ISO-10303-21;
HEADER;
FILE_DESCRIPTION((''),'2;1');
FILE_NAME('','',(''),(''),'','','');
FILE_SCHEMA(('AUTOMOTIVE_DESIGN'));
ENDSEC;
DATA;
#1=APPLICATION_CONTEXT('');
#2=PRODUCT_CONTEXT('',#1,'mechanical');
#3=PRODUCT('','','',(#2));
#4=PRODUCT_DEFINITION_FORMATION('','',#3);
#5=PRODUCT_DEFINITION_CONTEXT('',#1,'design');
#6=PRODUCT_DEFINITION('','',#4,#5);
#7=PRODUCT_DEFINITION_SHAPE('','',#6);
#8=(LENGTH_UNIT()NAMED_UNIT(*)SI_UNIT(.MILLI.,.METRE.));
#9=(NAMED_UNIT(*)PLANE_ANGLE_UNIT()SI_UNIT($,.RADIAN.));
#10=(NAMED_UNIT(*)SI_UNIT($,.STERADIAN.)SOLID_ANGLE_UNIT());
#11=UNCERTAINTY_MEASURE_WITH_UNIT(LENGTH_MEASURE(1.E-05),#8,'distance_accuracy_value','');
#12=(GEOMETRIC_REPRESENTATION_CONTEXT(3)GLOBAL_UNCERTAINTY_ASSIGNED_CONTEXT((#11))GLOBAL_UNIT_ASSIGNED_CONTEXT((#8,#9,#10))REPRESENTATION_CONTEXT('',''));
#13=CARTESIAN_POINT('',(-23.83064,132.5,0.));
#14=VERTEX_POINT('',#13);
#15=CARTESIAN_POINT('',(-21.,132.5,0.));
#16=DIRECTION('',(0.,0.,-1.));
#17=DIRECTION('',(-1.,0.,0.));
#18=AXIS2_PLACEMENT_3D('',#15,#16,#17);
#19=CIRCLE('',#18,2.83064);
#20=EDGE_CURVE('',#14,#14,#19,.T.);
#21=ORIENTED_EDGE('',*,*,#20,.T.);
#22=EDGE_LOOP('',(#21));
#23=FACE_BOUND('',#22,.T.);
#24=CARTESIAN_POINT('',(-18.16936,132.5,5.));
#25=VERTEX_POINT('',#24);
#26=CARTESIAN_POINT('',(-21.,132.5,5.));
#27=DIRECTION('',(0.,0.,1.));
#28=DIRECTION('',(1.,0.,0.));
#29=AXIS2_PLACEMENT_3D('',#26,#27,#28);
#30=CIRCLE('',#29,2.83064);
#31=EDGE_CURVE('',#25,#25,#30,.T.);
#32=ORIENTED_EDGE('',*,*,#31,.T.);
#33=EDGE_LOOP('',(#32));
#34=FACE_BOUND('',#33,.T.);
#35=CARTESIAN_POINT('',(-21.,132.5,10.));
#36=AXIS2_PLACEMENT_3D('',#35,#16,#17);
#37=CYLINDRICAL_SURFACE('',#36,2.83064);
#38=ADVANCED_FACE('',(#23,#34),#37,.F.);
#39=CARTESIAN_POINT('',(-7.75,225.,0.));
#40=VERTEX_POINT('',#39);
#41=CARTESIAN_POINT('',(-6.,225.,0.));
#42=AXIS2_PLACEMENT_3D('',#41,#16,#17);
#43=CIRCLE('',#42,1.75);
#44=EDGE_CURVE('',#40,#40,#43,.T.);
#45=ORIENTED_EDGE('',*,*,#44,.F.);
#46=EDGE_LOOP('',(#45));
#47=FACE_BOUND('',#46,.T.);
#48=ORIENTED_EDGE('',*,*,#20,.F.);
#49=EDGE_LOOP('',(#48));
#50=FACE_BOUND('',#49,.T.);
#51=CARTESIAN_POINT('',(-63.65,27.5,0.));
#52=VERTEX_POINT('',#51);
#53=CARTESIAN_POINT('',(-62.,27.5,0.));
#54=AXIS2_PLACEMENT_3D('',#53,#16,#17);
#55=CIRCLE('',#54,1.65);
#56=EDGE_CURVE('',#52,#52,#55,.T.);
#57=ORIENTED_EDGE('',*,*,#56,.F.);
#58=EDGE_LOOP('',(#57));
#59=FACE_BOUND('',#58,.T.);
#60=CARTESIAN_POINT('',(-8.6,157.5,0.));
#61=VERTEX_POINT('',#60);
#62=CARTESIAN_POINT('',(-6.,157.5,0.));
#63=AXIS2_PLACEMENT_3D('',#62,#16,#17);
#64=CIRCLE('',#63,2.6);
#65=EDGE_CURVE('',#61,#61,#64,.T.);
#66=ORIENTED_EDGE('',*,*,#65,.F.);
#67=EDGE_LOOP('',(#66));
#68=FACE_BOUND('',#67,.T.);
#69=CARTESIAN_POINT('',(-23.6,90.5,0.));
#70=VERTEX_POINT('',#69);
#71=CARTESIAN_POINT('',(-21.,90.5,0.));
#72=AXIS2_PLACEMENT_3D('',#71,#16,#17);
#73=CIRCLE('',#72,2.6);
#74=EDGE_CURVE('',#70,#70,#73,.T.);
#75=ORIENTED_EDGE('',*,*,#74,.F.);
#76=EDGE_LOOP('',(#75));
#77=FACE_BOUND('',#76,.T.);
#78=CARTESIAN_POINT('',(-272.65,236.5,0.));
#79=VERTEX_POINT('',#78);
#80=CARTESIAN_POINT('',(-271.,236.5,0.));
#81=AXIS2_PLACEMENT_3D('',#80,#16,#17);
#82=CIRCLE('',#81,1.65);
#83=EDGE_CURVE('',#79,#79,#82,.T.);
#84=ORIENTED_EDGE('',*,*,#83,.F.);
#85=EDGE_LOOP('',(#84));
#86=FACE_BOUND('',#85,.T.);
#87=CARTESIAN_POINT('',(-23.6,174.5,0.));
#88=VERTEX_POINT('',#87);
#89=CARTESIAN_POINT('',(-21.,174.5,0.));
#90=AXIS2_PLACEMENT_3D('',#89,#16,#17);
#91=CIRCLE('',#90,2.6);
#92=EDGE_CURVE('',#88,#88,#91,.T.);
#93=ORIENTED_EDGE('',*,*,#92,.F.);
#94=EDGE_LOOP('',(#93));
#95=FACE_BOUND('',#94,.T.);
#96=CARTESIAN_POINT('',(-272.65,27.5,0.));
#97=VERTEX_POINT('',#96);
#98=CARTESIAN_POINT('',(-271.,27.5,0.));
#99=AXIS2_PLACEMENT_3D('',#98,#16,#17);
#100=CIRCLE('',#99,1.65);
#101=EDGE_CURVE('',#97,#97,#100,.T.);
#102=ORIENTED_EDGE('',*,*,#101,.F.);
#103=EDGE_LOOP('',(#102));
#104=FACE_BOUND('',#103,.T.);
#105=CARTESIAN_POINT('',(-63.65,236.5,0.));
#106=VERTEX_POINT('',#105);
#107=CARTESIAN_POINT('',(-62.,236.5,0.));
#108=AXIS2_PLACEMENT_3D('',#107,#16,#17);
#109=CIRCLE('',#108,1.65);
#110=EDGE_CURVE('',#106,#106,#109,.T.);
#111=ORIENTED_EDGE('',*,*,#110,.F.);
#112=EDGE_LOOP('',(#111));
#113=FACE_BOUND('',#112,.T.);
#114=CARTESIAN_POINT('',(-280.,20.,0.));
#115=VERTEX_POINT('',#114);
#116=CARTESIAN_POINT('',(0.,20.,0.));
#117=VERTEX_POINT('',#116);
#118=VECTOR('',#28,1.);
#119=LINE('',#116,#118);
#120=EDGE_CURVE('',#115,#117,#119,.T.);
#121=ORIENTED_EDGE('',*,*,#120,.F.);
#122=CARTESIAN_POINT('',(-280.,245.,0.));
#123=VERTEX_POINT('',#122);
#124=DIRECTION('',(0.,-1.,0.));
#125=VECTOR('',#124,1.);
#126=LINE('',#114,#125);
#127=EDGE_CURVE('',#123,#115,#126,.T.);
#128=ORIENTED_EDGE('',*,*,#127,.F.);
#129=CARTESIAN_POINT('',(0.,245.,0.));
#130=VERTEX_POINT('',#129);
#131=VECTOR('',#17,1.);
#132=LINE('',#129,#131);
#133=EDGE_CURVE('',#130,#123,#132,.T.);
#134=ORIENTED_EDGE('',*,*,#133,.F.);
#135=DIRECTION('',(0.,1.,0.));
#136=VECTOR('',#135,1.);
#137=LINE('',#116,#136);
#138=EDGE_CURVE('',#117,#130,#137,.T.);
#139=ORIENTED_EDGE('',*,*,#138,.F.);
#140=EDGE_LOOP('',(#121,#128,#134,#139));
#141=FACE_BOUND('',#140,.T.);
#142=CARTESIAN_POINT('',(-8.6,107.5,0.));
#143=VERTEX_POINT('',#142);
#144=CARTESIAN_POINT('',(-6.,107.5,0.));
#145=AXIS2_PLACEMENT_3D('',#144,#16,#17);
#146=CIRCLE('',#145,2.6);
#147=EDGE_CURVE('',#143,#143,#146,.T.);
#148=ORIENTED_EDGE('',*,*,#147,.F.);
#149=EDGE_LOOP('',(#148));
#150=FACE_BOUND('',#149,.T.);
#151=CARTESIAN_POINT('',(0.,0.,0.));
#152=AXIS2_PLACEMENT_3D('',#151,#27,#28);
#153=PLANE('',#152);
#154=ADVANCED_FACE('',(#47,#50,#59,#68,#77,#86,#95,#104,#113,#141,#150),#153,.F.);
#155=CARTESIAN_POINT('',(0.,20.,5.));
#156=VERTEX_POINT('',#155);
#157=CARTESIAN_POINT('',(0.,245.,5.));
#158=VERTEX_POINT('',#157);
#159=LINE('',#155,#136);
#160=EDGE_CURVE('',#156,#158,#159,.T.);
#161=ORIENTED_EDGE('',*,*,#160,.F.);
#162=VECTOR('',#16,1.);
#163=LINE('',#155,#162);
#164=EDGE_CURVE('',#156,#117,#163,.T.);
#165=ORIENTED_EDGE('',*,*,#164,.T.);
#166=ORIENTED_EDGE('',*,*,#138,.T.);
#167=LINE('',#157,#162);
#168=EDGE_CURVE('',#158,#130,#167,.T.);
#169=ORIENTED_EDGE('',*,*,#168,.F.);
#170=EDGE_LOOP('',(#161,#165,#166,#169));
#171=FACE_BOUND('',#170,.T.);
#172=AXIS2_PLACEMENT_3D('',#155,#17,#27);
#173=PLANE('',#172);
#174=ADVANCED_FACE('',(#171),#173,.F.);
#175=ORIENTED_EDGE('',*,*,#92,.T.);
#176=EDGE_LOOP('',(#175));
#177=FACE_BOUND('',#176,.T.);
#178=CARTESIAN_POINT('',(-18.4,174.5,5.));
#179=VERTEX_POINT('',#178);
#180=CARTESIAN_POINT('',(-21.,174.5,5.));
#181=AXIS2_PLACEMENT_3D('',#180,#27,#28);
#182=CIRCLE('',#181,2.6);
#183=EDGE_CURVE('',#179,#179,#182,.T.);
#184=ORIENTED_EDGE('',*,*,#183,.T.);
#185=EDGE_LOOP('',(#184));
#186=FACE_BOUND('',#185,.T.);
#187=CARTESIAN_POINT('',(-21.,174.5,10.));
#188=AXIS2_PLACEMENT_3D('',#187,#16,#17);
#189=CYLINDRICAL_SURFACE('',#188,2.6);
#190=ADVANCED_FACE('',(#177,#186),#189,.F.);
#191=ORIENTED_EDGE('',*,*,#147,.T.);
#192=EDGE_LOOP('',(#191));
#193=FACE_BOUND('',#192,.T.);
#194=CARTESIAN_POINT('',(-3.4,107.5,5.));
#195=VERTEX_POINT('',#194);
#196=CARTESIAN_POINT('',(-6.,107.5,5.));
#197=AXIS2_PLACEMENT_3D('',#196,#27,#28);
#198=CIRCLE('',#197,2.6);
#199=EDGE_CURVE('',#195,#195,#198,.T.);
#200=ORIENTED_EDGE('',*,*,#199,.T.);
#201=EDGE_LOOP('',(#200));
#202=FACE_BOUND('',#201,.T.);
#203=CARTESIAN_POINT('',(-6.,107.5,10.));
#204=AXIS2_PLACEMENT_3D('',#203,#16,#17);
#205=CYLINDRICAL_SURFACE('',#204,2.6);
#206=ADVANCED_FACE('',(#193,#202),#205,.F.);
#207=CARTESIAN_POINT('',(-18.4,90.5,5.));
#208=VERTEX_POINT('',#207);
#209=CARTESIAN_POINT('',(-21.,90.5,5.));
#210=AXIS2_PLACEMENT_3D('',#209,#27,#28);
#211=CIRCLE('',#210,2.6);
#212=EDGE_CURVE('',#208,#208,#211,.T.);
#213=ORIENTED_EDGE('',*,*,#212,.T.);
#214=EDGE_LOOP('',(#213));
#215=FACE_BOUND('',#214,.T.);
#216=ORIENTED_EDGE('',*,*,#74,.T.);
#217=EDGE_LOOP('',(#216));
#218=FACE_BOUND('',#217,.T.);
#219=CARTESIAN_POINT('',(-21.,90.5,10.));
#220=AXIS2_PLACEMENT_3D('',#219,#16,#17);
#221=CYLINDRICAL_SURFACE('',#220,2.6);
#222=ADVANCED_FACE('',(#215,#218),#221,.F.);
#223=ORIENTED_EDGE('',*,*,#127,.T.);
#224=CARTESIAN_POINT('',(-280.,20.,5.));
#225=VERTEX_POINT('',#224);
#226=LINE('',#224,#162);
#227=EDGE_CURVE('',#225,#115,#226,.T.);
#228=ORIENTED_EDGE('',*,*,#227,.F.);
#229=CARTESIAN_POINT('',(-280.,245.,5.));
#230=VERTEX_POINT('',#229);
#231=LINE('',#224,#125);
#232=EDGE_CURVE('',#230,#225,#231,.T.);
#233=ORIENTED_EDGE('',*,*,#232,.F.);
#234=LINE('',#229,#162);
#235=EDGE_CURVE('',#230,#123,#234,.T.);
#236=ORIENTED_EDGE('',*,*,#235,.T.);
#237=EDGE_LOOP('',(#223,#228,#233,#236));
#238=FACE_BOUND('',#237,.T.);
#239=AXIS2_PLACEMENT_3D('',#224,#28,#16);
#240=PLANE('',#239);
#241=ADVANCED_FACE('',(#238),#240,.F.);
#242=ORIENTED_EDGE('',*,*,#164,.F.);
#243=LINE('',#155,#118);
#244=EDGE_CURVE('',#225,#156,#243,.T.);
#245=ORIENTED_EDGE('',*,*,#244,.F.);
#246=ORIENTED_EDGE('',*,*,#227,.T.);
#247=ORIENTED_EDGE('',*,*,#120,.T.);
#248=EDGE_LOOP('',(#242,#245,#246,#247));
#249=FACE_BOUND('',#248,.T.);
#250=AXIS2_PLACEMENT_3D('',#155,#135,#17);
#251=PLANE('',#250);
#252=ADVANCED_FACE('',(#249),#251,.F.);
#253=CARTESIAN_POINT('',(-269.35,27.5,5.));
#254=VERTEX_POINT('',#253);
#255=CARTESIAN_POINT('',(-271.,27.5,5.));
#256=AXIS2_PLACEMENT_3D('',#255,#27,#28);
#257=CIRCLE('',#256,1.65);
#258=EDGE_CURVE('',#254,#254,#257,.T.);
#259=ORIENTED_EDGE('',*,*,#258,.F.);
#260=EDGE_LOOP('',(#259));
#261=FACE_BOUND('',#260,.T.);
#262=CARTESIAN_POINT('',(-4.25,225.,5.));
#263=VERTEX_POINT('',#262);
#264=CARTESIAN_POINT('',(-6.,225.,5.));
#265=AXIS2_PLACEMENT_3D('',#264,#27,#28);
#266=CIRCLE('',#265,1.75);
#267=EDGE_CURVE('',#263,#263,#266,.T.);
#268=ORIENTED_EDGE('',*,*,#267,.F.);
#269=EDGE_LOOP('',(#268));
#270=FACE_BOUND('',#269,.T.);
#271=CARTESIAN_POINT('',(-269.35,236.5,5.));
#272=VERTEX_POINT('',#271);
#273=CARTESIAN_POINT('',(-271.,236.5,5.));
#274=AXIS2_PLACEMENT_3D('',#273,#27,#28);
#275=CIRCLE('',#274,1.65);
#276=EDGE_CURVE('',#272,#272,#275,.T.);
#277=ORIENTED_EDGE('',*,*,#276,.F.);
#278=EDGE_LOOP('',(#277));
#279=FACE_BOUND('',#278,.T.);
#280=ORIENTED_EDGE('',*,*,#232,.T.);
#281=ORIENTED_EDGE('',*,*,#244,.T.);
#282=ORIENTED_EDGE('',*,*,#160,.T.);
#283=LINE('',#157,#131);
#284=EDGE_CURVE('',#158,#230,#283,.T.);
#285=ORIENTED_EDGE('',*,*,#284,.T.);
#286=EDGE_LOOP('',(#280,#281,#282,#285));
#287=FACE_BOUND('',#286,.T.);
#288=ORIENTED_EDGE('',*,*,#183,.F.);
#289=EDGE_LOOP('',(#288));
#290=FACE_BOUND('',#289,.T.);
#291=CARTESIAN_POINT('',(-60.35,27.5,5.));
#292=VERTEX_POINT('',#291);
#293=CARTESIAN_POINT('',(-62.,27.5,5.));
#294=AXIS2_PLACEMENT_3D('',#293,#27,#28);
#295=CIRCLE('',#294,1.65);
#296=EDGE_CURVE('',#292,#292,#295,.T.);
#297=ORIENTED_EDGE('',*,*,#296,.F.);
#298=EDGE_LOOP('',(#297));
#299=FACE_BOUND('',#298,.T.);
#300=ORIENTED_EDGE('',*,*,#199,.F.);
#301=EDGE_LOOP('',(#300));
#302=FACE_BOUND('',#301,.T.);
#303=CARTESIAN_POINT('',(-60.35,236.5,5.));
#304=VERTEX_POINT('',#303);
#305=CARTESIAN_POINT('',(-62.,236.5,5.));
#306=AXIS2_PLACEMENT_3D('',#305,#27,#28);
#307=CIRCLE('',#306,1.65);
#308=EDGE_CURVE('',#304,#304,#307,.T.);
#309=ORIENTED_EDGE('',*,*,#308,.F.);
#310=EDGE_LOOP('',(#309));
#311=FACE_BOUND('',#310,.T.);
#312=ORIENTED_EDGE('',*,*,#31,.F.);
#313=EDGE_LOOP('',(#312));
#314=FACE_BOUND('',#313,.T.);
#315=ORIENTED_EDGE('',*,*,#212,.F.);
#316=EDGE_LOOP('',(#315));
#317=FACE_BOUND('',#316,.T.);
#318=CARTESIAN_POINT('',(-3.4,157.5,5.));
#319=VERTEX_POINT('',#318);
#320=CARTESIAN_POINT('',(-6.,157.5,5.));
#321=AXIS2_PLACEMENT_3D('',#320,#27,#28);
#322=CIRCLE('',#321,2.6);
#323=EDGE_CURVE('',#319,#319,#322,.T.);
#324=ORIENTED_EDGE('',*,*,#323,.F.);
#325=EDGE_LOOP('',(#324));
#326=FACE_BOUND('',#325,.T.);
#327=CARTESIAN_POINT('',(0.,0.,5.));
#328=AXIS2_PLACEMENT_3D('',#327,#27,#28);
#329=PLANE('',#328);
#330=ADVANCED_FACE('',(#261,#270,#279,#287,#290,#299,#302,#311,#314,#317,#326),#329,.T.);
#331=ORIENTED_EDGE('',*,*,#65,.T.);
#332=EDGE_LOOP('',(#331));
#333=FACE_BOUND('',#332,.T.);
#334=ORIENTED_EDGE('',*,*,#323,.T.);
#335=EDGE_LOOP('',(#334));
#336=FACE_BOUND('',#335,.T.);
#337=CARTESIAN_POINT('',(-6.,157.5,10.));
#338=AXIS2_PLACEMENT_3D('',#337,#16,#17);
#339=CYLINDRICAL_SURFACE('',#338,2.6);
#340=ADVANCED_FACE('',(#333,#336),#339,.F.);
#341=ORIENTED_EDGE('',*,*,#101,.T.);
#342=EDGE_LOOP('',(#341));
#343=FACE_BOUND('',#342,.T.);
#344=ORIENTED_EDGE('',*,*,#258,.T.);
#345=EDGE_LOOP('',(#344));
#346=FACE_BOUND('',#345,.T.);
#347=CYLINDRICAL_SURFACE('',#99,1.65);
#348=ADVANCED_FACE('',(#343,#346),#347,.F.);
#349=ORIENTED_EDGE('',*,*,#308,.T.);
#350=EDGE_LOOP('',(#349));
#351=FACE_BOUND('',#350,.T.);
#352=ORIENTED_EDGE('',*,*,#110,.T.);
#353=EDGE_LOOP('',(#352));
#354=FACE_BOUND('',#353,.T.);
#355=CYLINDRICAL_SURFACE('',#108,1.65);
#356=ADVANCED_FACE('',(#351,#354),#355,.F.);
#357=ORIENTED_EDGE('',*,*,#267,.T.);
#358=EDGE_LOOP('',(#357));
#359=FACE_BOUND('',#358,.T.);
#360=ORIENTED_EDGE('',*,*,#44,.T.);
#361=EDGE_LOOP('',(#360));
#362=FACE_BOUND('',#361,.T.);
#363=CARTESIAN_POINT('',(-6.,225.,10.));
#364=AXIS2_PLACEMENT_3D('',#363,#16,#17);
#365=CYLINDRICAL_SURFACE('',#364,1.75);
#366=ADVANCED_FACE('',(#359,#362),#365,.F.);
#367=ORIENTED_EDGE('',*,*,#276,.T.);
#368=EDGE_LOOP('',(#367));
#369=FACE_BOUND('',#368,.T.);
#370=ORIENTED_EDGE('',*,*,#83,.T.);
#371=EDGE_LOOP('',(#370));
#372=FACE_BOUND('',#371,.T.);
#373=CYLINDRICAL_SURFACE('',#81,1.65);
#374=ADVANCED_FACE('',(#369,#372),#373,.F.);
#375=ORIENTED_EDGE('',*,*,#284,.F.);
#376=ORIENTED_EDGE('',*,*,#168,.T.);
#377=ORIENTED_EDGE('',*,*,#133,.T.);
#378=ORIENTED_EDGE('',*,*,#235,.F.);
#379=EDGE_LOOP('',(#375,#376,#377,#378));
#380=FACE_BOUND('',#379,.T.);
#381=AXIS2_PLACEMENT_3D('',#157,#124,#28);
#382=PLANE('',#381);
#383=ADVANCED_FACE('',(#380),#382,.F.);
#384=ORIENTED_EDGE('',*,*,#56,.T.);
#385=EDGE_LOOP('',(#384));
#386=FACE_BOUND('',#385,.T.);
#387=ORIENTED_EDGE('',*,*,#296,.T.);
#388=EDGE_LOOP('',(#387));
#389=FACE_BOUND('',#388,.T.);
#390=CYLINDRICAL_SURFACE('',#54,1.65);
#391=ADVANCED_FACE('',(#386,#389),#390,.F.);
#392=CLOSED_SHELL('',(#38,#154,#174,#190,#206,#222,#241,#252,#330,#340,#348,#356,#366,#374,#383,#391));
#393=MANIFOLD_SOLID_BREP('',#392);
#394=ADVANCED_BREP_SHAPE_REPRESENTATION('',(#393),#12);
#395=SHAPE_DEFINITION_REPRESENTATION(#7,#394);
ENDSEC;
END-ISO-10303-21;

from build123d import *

# Parameters (mm, degrees)
SCHIZZO1_W                   = 280
SCHIZZO1_H                   = 225
ESTRUSIONE_ESTRUSIONE1_DEPTH = 5
FORO_FILETTATO_M4_1_D        = 3.3
FORO_FILETTATO_M4_1_DEPTH    = 5
SCHIZZO12_R                  = 2.6
SCHIZZO12_R_2                = 2.830640445
SCHIZZO12_R_3                = 1.75
TAGLIO_ESTRUSIONE1_DEPTH     = 10


with BuildPart() as part:
    # Schizzo1 → Estrusione-Estrusione1 (new body)
    with BuildSketch(Plane.XY):
        with Locations((-140, 132.5)):
            Rectangle(SCHIZZO1_W, SCHIZZO1_H)
    extrude(amount=ESTRUSIONE_ESTRUSIONE1_DEPTH)

    # Foro filettato M4-1
    with Locations(Plane(origin=(0, 0, 0), x_dir=(-1, 0, 0), z_dir=(0, 0, -1))):
        with Locations((271, 27.5), (62, 27.5), (271, 236.5), (62, 236.5)):
            Hole(FORO_FILETTATO_M4_1_D / 2, depth=FORO_FILETTATO_M4_1_DEPTH)

    # Schizzo12 → Taglio-Estrusione1 (cut)
    with BuildSketch(Plane(origin=(0, 0, 0), x_dir=(-1, 0, 0), z_dir=(0, 0, -1))):
        with Locations((6, 107.5)):
            Circle(SCHIZZO12_R)
        with Locations((6, 157.5)):
            Circle(SCHIZZO12_R)
        with Locations((21, 90.5)):
            Circle(SCHIZZO12_R)
        with Locations((21, 132.5)):
            Circle(SCHIZZO12_R_2)
        with Locations((21, 174.5)):
            Circle(SCHIZZO12_R)
        with Locations((6, 225)):
            Circle(SCHIZZO12_R_3)
    extrude(amount=-TAGLIO_ESTRUSIONE1_DEPTH, mode=Mode.SUBTRACT)


solid = part.part
